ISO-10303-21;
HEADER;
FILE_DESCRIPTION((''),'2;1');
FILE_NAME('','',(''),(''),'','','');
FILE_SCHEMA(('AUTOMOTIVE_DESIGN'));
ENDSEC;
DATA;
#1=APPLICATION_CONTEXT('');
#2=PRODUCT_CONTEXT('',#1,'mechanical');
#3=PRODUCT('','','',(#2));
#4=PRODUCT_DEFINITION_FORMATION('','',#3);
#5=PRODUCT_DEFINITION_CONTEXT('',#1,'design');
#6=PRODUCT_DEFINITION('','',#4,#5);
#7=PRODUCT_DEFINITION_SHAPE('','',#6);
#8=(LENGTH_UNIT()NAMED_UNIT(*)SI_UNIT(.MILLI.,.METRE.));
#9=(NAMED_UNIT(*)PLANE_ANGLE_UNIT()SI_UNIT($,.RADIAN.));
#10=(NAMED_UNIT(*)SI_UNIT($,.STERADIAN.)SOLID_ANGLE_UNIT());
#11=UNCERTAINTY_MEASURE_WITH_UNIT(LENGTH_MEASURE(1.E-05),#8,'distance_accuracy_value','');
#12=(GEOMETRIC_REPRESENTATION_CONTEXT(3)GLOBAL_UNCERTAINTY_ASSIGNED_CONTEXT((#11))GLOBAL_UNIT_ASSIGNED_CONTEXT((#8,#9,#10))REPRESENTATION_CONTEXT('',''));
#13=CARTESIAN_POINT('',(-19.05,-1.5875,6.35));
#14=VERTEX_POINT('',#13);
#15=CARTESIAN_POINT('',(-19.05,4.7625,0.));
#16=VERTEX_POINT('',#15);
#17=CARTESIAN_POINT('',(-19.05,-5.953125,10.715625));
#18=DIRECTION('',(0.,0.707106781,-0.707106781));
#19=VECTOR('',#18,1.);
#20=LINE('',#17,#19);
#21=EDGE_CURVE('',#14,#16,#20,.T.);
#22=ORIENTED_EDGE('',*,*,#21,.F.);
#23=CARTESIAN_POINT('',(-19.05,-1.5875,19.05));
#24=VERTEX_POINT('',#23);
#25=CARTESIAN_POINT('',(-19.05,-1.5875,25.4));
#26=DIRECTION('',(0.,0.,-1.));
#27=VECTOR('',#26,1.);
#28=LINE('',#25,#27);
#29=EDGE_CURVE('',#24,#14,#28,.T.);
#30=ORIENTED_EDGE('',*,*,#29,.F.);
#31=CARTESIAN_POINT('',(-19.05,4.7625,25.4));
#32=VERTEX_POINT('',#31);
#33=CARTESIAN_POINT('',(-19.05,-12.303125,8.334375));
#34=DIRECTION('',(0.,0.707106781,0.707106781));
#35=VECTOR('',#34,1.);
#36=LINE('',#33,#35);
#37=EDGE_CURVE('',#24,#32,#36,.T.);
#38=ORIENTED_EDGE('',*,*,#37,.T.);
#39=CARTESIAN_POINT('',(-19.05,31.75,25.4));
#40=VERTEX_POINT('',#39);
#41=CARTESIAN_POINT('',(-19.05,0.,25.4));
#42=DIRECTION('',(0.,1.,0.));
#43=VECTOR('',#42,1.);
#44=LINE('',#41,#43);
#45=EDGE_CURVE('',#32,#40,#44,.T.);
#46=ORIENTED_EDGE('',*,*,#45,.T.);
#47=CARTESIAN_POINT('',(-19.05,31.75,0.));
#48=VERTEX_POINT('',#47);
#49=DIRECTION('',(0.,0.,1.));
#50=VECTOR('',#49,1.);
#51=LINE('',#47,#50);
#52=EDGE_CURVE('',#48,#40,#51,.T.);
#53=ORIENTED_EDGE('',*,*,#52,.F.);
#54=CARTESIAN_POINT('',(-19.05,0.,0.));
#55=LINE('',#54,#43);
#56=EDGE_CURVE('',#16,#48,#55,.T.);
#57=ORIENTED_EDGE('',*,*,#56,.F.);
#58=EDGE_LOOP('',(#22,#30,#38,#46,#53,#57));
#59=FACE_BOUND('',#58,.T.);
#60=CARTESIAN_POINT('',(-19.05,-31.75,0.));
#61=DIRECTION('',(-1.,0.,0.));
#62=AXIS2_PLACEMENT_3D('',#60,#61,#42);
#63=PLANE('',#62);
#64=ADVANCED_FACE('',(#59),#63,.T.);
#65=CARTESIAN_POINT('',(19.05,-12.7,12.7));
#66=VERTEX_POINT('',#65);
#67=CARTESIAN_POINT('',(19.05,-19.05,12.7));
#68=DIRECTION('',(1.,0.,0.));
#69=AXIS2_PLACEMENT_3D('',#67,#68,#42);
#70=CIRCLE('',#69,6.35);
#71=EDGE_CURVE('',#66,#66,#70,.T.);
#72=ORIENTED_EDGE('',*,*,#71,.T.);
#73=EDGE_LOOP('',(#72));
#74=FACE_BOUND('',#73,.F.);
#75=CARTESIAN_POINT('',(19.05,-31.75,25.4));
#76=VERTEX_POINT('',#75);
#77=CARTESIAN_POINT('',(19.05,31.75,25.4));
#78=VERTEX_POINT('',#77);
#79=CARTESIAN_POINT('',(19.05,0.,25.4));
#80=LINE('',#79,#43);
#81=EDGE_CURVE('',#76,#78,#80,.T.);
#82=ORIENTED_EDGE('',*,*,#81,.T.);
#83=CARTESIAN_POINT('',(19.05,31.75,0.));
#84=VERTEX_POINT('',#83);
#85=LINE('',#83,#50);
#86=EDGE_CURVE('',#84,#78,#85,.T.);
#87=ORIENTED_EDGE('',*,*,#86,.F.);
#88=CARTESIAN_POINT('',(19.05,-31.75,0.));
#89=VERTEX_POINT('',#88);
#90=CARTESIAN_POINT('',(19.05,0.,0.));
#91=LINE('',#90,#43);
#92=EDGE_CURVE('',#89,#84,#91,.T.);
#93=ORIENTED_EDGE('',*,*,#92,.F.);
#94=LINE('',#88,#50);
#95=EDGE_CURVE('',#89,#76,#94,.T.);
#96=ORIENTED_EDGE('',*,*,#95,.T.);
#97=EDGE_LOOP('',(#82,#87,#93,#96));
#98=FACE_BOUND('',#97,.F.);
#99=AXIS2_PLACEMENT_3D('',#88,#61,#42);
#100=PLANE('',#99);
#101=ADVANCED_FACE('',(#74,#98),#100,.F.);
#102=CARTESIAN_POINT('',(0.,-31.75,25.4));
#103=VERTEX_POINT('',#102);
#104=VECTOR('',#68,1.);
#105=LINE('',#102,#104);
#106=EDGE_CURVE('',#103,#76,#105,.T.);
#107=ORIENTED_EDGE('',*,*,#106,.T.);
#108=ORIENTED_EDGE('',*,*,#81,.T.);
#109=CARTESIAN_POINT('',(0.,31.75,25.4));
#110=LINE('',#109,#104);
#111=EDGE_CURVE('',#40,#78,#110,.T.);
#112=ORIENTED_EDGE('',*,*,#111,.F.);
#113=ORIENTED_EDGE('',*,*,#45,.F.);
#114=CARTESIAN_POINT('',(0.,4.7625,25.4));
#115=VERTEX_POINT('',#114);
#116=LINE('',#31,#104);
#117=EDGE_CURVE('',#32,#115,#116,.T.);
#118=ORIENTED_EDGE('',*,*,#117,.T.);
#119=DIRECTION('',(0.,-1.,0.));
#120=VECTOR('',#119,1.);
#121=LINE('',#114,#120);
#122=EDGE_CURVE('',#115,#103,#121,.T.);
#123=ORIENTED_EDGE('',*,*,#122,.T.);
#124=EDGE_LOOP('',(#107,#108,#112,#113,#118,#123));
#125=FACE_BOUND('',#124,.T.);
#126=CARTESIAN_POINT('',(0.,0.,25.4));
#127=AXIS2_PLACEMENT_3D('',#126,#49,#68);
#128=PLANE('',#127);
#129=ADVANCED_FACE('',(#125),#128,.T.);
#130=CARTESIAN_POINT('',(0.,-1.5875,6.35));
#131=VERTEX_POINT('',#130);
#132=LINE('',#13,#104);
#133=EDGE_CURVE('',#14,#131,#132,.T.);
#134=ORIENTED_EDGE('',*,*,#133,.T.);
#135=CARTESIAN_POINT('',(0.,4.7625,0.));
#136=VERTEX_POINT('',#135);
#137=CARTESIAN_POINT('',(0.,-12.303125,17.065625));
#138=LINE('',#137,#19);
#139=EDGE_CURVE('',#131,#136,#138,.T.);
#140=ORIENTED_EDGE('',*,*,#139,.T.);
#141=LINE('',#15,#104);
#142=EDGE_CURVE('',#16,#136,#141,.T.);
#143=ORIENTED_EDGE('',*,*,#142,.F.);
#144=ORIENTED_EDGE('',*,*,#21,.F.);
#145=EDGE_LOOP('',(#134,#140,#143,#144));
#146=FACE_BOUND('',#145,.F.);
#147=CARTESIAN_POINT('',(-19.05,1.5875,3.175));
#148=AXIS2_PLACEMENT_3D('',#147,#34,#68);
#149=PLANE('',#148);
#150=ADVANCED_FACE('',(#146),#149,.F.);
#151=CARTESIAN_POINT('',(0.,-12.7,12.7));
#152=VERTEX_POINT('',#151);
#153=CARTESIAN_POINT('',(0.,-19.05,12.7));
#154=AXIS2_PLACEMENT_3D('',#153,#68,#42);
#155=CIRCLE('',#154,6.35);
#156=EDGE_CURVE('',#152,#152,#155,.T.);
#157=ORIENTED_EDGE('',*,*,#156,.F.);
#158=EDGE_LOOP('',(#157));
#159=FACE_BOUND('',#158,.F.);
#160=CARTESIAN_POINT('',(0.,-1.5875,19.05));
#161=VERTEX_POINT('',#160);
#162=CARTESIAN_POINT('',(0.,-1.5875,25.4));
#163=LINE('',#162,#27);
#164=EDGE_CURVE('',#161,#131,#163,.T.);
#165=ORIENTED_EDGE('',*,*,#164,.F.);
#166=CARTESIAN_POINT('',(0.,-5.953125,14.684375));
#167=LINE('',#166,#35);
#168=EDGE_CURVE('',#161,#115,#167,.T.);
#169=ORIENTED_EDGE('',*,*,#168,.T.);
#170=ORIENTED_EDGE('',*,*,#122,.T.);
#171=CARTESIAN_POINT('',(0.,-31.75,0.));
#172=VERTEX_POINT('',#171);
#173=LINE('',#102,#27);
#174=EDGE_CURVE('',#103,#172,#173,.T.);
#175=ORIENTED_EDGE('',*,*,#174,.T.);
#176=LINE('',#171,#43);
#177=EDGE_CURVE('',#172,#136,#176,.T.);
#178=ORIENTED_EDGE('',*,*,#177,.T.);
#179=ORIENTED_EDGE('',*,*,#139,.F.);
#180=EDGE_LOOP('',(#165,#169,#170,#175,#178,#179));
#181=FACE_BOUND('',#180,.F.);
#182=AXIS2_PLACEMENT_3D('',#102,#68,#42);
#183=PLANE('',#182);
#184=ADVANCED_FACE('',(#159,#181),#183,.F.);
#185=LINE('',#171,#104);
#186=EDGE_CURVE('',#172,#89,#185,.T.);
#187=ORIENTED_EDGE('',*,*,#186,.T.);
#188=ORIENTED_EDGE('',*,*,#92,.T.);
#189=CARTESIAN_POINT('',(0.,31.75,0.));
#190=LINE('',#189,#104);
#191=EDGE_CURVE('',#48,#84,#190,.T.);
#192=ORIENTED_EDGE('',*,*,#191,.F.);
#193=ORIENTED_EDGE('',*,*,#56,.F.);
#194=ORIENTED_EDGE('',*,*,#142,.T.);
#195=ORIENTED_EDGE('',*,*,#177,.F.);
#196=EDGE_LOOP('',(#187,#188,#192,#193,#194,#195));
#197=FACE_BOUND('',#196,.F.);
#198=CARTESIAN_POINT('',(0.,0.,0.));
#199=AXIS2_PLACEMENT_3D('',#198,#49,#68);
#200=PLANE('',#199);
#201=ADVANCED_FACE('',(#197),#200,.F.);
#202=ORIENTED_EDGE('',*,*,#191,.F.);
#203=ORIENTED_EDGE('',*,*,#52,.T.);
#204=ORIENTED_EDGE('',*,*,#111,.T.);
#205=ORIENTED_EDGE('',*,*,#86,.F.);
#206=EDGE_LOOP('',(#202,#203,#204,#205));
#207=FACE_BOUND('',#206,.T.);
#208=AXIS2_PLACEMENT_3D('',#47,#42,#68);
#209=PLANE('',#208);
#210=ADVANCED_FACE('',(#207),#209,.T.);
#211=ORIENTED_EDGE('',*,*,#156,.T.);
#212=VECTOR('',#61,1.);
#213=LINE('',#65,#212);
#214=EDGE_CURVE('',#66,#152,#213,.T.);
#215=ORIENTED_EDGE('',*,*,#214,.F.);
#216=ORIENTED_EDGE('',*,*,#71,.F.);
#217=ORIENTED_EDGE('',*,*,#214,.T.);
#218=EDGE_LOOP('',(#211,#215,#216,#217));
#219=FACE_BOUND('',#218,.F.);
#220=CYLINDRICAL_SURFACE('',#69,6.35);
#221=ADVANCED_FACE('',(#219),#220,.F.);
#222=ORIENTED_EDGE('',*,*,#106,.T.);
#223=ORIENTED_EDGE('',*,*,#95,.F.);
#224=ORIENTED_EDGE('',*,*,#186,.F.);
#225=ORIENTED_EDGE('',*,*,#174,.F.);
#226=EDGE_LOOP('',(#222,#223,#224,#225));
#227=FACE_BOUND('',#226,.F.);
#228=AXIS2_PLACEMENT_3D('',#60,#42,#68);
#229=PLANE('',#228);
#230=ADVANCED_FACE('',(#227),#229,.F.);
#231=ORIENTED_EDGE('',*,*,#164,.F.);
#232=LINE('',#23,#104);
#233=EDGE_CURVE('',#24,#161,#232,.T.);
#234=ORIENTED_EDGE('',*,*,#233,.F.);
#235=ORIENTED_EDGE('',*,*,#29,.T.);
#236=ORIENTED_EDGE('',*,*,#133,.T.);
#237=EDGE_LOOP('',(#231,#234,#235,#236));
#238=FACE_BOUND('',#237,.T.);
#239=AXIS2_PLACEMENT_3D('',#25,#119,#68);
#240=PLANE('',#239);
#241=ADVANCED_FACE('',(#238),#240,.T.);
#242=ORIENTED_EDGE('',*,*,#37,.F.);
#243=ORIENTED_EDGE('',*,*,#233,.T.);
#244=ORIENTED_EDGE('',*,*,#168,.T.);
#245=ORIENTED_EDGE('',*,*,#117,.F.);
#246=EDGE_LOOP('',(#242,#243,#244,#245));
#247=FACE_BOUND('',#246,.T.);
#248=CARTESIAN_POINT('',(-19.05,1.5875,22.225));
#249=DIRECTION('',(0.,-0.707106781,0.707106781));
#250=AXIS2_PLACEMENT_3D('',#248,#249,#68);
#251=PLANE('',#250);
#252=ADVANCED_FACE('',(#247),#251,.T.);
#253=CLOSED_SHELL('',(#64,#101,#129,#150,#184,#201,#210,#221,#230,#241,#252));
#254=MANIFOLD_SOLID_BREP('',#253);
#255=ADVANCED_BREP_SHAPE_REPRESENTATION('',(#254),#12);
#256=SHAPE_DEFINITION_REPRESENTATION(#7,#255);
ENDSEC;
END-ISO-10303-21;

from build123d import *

# Parameters (mm, degrees)
F0_W     = 38.1
F0_H     = 63.5
F1_DEPTH = 25.4
F2_W     = 19.05
F2_H     = 26.9875
F3_DEPTH = 25.4
F4_R     = 6.35
F5_DEPTH = 25.4
F6_DEPTH = 3.175
F7_SIZE  = 6.35


with BuildPart() as f1:
    # F0 (on Top) → F1 (new body)
    with BuildSketch(Plane.XY):
        Rectangle(F0_W, F0_H)
    extrude(amount=F1_DEPTH)

    # F2 (on face) → F3 (cut)
    with BuildSketch(Plane.XY.offset(25.4)):
        with Locations((-9.525, -18.25625)):
            Rectangle(F2_W, F2_H)
    extrude(amount=-F3_DEPTH, mode=Mode.SUBTRACT)

    # F4 (on face) → F5 (cut)
    with BuildSketch(Plane.YZ.offset(19.05)):
        with Locations((-19.05, 12.7)):
            Circle(F4_R)
    extrude(amount=-F5_DEPTH, mode=Mode.SUBTRACT)

    # F6 (cut): a face of the model
    f6_faces = [f1.faces().sort_by_distance(p)[0] for p in [
        (-9.525, -4.7625, 12.7),
    ]]
    extrude(f6_faces, amount=-F6_DEPTH, mode=Mode.SUBTRACT)

    # F7
    f7_edges = [f1.edges().sort_by_distance(p)[0] for p in [
        (-9.525, -1.5875, 25.4),
        (-9.525, -1.5875, 0),
    ]]
    chamfer(f7_edges, length=F7_SIZE)


solid = f1.part
